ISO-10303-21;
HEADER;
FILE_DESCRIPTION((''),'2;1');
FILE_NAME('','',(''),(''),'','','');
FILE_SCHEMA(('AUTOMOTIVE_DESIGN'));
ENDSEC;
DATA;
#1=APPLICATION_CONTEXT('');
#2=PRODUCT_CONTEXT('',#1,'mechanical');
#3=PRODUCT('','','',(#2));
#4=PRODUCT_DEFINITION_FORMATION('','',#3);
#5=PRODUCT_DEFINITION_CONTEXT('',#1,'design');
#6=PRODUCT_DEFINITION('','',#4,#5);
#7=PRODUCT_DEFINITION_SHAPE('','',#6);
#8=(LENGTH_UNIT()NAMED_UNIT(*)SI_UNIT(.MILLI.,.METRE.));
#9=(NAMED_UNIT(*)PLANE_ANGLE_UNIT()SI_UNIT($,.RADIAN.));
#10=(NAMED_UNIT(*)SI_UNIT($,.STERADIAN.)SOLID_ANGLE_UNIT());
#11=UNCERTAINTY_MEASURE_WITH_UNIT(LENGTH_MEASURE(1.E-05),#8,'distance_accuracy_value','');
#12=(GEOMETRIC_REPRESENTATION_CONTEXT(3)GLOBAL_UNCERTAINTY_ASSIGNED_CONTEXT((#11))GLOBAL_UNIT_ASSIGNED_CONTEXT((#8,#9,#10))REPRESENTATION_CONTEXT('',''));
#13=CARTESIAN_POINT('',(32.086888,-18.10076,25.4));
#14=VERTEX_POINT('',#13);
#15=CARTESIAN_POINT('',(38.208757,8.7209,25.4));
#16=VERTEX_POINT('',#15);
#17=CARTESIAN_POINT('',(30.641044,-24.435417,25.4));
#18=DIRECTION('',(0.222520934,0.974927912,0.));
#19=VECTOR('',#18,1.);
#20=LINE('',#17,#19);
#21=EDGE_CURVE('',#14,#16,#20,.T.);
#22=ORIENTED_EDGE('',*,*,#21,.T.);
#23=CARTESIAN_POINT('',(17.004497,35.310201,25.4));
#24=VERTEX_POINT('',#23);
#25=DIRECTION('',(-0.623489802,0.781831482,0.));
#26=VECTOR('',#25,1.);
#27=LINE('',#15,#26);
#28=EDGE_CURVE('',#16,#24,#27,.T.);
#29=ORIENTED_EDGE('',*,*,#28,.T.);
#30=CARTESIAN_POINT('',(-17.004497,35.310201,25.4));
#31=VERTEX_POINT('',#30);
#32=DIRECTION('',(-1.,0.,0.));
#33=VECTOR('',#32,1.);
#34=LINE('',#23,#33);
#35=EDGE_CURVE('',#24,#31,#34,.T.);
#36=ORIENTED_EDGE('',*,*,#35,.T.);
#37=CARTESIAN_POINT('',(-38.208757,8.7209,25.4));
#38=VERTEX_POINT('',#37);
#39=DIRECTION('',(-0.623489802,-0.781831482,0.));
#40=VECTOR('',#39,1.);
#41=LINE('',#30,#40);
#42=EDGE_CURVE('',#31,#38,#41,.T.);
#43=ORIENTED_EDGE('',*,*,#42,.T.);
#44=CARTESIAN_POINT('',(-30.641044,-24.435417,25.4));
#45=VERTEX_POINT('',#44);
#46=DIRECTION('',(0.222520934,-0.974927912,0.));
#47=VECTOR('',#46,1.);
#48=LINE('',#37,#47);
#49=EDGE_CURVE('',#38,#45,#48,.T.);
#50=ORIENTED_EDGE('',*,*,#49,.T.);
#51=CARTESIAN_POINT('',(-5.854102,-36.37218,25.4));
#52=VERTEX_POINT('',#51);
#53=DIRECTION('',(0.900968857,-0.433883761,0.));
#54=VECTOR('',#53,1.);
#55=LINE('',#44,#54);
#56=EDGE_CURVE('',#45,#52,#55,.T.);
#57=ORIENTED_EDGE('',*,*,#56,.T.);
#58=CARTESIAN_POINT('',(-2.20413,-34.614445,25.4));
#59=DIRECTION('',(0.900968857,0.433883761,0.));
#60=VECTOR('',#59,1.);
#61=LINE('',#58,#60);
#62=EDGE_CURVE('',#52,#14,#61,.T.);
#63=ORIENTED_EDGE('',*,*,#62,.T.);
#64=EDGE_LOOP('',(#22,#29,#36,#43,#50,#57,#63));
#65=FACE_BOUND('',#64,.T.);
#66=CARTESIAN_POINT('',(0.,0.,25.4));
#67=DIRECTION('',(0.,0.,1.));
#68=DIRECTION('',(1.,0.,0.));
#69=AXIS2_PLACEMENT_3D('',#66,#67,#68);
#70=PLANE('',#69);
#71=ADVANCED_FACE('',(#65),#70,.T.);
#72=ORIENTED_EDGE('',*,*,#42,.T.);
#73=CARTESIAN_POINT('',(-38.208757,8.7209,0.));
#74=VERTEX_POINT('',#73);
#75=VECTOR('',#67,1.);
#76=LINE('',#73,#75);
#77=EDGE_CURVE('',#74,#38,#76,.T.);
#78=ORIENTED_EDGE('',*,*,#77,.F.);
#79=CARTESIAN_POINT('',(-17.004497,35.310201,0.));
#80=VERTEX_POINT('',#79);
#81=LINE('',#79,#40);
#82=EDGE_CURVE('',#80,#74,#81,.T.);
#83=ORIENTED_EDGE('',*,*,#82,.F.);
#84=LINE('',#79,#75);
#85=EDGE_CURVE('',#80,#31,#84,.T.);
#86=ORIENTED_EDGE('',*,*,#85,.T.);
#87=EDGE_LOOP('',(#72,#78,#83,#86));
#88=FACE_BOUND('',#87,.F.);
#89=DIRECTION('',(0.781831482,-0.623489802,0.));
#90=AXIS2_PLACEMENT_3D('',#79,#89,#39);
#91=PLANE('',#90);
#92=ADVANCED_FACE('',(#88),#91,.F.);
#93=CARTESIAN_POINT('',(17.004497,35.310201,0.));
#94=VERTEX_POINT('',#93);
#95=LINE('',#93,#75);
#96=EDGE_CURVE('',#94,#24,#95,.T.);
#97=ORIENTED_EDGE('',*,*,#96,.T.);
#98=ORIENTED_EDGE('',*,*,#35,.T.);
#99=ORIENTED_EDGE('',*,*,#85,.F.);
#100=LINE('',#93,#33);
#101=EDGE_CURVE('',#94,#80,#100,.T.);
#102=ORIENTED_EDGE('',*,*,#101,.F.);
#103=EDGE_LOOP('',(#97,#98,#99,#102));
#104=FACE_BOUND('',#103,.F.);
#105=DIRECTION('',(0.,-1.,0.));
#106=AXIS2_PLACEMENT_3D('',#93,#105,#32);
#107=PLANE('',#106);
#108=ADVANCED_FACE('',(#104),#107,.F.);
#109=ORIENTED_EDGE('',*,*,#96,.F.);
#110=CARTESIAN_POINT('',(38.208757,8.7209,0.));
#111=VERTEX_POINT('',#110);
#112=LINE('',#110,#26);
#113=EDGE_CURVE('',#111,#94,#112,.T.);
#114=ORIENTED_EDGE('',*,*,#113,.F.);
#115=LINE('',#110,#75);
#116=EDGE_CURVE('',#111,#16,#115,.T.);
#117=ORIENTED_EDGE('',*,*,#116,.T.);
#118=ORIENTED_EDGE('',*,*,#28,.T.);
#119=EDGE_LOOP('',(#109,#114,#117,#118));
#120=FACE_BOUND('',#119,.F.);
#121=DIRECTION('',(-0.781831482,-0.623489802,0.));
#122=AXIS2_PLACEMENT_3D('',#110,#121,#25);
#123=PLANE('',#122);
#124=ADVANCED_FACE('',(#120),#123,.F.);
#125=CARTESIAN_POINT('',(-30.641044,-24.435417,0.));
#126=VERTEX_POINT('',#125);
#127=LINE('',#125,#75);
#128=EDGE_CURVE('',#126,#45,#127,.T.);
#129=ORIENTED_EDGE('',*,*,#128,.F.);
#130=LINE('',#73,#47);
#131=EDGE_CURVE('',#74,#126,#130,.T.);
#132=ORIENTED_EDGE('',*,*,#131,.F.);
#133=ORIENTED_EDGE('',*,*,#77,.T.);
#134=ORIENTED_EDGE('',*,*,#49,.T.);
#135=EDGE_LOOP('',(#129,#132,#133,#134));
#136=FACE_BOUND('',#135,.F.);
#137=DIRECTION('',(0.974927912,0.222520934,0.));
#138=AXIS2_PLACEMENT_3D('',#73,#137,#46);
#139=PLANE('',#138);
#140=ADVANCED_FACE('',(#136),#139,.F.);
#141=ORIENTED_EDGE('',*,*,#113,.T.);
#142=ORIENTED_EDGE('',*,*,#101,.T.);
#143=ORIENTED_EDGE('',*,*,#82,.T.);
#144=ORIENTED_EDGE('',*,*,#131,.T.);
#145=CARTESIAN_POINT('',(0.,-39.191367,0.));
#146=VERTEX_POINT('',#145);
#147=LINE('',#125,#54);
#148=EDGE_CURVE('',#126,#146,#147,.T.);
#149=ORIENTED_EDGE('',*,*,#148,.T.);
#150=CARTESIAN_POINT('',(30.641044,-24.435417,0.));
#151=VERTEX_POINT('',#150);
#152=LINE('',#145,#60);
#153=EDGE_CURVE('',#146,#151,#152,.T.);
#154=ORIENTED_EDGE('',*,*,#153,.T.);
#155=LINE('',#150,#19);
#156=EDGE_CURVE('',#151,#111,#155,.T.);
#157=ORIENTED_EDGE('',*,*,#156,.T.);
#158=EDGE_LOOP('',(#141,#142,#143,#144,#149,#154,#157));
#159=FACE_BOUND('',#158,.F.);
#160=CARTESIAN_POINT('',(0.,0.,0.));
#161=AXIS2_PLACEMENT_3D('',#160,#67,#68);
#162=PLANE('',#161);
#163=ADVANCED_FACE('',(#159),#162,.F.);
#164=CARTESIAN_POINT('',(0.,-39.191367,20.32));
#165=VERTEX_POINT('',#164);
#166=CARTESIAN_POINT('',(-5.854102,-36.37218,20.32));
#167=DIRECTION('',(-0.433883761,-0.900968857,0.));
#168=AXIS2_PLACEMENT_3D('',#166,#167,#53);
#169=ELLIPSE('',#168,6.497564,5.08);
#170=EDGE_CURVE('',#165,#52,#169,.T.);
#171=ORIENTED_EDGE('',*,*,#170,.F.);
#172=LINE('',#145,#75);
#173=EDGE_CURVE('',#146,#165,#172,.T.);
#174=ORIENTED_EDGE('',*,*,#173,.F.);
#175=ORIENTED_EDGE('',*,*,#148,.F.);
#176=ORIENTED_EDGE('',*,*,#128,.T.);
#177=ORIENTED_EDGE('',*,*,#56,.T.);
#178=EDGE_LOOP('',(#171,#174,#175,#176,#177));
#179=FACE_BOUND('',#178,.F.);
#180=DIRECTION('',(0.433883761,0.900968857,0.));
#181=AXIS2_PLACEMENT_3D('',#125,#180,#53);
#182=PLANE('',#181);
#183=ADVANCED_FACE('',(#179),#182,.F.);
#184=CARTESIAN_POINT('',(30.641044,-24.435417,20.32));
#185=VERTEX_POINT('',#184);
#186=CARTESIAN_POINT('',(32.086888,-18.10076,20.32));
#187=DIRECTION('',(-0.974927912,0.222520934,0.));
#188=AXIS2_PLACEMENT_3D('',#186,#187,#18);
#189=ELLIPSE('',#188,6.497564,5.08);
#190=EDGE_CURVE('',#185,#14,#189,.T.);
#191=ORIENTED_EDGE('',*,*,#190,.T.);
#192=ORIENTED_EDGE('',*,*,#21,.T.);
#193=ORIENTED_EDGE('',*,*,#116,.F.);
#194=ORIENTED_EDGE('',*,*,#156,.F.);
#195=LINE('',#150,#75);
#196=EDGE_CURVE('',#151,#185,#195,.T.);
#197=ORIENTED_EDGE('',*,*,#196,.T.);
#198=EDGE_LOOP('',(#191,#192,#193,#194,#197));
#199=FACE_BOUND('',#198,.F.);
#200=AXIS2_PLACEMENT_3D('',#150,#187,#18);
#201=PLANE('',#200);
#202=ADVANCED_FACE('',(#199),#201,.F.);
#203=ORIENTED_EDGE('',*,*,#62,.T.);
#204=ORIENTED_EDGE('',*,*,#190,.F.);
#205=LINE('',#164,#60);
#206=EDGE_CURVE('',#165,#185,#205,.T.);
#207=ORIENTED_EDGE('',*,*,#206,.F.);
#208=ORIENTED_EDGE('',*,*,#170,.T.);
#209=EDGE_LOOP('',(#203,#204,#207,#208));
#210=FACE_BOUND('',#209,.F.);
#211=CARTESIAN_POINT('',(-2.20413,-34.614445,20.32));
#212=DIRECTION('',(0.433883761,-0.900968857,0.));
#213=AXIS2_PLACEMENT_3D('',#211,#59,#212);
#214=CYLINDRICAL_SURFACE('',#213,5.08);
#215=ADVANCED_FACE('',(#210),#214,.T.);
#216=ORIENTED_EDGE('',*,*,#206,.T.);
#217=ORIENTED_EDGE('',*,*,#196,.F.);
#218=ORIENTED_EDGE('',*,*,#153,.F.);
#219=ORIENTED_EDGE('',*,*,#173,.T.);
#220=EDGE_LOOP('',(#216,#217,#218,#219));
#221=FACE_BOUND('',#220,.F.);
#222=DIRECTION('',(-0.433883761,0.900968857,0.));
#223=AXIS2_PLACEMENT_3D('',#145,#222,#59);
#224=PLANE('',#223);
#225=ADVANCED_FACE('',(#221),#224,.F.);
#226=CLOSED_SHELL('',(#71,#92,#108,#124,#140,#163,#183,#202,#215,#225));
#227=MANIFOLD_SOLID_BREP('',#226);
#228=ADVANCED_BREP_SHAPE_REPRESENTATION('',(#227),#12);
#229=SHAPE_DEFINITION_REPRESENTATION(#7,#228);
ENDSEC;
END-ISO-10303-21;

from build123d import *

# Parameters (mm, degrees)
F1_DEPTH = 25.4
F2_R     = 5.08


with BuildPart() as f1:
    # F0 (on Top) → F1 (new body)
    with BuildSketch(Plane.XY):
        Polygon((17.004497, 35.310201), (-17.004497, 35.310201), (-38.208757, 8.7209), (-30.641044, -24.435417), (0, -39.191367), (30.641044, -24.435417), (38.208757, 8.7209), align=None)
    extrude(amount=F1_DEPTH)

    # F2
    f2_edges = [f1.edges().sort_by_distance(p)[0] for p in [
        (15.320522, -31.813392, 25.4),
    ]]
    fillet(f2_edges, radius=F2_R)


solid = f1.part
